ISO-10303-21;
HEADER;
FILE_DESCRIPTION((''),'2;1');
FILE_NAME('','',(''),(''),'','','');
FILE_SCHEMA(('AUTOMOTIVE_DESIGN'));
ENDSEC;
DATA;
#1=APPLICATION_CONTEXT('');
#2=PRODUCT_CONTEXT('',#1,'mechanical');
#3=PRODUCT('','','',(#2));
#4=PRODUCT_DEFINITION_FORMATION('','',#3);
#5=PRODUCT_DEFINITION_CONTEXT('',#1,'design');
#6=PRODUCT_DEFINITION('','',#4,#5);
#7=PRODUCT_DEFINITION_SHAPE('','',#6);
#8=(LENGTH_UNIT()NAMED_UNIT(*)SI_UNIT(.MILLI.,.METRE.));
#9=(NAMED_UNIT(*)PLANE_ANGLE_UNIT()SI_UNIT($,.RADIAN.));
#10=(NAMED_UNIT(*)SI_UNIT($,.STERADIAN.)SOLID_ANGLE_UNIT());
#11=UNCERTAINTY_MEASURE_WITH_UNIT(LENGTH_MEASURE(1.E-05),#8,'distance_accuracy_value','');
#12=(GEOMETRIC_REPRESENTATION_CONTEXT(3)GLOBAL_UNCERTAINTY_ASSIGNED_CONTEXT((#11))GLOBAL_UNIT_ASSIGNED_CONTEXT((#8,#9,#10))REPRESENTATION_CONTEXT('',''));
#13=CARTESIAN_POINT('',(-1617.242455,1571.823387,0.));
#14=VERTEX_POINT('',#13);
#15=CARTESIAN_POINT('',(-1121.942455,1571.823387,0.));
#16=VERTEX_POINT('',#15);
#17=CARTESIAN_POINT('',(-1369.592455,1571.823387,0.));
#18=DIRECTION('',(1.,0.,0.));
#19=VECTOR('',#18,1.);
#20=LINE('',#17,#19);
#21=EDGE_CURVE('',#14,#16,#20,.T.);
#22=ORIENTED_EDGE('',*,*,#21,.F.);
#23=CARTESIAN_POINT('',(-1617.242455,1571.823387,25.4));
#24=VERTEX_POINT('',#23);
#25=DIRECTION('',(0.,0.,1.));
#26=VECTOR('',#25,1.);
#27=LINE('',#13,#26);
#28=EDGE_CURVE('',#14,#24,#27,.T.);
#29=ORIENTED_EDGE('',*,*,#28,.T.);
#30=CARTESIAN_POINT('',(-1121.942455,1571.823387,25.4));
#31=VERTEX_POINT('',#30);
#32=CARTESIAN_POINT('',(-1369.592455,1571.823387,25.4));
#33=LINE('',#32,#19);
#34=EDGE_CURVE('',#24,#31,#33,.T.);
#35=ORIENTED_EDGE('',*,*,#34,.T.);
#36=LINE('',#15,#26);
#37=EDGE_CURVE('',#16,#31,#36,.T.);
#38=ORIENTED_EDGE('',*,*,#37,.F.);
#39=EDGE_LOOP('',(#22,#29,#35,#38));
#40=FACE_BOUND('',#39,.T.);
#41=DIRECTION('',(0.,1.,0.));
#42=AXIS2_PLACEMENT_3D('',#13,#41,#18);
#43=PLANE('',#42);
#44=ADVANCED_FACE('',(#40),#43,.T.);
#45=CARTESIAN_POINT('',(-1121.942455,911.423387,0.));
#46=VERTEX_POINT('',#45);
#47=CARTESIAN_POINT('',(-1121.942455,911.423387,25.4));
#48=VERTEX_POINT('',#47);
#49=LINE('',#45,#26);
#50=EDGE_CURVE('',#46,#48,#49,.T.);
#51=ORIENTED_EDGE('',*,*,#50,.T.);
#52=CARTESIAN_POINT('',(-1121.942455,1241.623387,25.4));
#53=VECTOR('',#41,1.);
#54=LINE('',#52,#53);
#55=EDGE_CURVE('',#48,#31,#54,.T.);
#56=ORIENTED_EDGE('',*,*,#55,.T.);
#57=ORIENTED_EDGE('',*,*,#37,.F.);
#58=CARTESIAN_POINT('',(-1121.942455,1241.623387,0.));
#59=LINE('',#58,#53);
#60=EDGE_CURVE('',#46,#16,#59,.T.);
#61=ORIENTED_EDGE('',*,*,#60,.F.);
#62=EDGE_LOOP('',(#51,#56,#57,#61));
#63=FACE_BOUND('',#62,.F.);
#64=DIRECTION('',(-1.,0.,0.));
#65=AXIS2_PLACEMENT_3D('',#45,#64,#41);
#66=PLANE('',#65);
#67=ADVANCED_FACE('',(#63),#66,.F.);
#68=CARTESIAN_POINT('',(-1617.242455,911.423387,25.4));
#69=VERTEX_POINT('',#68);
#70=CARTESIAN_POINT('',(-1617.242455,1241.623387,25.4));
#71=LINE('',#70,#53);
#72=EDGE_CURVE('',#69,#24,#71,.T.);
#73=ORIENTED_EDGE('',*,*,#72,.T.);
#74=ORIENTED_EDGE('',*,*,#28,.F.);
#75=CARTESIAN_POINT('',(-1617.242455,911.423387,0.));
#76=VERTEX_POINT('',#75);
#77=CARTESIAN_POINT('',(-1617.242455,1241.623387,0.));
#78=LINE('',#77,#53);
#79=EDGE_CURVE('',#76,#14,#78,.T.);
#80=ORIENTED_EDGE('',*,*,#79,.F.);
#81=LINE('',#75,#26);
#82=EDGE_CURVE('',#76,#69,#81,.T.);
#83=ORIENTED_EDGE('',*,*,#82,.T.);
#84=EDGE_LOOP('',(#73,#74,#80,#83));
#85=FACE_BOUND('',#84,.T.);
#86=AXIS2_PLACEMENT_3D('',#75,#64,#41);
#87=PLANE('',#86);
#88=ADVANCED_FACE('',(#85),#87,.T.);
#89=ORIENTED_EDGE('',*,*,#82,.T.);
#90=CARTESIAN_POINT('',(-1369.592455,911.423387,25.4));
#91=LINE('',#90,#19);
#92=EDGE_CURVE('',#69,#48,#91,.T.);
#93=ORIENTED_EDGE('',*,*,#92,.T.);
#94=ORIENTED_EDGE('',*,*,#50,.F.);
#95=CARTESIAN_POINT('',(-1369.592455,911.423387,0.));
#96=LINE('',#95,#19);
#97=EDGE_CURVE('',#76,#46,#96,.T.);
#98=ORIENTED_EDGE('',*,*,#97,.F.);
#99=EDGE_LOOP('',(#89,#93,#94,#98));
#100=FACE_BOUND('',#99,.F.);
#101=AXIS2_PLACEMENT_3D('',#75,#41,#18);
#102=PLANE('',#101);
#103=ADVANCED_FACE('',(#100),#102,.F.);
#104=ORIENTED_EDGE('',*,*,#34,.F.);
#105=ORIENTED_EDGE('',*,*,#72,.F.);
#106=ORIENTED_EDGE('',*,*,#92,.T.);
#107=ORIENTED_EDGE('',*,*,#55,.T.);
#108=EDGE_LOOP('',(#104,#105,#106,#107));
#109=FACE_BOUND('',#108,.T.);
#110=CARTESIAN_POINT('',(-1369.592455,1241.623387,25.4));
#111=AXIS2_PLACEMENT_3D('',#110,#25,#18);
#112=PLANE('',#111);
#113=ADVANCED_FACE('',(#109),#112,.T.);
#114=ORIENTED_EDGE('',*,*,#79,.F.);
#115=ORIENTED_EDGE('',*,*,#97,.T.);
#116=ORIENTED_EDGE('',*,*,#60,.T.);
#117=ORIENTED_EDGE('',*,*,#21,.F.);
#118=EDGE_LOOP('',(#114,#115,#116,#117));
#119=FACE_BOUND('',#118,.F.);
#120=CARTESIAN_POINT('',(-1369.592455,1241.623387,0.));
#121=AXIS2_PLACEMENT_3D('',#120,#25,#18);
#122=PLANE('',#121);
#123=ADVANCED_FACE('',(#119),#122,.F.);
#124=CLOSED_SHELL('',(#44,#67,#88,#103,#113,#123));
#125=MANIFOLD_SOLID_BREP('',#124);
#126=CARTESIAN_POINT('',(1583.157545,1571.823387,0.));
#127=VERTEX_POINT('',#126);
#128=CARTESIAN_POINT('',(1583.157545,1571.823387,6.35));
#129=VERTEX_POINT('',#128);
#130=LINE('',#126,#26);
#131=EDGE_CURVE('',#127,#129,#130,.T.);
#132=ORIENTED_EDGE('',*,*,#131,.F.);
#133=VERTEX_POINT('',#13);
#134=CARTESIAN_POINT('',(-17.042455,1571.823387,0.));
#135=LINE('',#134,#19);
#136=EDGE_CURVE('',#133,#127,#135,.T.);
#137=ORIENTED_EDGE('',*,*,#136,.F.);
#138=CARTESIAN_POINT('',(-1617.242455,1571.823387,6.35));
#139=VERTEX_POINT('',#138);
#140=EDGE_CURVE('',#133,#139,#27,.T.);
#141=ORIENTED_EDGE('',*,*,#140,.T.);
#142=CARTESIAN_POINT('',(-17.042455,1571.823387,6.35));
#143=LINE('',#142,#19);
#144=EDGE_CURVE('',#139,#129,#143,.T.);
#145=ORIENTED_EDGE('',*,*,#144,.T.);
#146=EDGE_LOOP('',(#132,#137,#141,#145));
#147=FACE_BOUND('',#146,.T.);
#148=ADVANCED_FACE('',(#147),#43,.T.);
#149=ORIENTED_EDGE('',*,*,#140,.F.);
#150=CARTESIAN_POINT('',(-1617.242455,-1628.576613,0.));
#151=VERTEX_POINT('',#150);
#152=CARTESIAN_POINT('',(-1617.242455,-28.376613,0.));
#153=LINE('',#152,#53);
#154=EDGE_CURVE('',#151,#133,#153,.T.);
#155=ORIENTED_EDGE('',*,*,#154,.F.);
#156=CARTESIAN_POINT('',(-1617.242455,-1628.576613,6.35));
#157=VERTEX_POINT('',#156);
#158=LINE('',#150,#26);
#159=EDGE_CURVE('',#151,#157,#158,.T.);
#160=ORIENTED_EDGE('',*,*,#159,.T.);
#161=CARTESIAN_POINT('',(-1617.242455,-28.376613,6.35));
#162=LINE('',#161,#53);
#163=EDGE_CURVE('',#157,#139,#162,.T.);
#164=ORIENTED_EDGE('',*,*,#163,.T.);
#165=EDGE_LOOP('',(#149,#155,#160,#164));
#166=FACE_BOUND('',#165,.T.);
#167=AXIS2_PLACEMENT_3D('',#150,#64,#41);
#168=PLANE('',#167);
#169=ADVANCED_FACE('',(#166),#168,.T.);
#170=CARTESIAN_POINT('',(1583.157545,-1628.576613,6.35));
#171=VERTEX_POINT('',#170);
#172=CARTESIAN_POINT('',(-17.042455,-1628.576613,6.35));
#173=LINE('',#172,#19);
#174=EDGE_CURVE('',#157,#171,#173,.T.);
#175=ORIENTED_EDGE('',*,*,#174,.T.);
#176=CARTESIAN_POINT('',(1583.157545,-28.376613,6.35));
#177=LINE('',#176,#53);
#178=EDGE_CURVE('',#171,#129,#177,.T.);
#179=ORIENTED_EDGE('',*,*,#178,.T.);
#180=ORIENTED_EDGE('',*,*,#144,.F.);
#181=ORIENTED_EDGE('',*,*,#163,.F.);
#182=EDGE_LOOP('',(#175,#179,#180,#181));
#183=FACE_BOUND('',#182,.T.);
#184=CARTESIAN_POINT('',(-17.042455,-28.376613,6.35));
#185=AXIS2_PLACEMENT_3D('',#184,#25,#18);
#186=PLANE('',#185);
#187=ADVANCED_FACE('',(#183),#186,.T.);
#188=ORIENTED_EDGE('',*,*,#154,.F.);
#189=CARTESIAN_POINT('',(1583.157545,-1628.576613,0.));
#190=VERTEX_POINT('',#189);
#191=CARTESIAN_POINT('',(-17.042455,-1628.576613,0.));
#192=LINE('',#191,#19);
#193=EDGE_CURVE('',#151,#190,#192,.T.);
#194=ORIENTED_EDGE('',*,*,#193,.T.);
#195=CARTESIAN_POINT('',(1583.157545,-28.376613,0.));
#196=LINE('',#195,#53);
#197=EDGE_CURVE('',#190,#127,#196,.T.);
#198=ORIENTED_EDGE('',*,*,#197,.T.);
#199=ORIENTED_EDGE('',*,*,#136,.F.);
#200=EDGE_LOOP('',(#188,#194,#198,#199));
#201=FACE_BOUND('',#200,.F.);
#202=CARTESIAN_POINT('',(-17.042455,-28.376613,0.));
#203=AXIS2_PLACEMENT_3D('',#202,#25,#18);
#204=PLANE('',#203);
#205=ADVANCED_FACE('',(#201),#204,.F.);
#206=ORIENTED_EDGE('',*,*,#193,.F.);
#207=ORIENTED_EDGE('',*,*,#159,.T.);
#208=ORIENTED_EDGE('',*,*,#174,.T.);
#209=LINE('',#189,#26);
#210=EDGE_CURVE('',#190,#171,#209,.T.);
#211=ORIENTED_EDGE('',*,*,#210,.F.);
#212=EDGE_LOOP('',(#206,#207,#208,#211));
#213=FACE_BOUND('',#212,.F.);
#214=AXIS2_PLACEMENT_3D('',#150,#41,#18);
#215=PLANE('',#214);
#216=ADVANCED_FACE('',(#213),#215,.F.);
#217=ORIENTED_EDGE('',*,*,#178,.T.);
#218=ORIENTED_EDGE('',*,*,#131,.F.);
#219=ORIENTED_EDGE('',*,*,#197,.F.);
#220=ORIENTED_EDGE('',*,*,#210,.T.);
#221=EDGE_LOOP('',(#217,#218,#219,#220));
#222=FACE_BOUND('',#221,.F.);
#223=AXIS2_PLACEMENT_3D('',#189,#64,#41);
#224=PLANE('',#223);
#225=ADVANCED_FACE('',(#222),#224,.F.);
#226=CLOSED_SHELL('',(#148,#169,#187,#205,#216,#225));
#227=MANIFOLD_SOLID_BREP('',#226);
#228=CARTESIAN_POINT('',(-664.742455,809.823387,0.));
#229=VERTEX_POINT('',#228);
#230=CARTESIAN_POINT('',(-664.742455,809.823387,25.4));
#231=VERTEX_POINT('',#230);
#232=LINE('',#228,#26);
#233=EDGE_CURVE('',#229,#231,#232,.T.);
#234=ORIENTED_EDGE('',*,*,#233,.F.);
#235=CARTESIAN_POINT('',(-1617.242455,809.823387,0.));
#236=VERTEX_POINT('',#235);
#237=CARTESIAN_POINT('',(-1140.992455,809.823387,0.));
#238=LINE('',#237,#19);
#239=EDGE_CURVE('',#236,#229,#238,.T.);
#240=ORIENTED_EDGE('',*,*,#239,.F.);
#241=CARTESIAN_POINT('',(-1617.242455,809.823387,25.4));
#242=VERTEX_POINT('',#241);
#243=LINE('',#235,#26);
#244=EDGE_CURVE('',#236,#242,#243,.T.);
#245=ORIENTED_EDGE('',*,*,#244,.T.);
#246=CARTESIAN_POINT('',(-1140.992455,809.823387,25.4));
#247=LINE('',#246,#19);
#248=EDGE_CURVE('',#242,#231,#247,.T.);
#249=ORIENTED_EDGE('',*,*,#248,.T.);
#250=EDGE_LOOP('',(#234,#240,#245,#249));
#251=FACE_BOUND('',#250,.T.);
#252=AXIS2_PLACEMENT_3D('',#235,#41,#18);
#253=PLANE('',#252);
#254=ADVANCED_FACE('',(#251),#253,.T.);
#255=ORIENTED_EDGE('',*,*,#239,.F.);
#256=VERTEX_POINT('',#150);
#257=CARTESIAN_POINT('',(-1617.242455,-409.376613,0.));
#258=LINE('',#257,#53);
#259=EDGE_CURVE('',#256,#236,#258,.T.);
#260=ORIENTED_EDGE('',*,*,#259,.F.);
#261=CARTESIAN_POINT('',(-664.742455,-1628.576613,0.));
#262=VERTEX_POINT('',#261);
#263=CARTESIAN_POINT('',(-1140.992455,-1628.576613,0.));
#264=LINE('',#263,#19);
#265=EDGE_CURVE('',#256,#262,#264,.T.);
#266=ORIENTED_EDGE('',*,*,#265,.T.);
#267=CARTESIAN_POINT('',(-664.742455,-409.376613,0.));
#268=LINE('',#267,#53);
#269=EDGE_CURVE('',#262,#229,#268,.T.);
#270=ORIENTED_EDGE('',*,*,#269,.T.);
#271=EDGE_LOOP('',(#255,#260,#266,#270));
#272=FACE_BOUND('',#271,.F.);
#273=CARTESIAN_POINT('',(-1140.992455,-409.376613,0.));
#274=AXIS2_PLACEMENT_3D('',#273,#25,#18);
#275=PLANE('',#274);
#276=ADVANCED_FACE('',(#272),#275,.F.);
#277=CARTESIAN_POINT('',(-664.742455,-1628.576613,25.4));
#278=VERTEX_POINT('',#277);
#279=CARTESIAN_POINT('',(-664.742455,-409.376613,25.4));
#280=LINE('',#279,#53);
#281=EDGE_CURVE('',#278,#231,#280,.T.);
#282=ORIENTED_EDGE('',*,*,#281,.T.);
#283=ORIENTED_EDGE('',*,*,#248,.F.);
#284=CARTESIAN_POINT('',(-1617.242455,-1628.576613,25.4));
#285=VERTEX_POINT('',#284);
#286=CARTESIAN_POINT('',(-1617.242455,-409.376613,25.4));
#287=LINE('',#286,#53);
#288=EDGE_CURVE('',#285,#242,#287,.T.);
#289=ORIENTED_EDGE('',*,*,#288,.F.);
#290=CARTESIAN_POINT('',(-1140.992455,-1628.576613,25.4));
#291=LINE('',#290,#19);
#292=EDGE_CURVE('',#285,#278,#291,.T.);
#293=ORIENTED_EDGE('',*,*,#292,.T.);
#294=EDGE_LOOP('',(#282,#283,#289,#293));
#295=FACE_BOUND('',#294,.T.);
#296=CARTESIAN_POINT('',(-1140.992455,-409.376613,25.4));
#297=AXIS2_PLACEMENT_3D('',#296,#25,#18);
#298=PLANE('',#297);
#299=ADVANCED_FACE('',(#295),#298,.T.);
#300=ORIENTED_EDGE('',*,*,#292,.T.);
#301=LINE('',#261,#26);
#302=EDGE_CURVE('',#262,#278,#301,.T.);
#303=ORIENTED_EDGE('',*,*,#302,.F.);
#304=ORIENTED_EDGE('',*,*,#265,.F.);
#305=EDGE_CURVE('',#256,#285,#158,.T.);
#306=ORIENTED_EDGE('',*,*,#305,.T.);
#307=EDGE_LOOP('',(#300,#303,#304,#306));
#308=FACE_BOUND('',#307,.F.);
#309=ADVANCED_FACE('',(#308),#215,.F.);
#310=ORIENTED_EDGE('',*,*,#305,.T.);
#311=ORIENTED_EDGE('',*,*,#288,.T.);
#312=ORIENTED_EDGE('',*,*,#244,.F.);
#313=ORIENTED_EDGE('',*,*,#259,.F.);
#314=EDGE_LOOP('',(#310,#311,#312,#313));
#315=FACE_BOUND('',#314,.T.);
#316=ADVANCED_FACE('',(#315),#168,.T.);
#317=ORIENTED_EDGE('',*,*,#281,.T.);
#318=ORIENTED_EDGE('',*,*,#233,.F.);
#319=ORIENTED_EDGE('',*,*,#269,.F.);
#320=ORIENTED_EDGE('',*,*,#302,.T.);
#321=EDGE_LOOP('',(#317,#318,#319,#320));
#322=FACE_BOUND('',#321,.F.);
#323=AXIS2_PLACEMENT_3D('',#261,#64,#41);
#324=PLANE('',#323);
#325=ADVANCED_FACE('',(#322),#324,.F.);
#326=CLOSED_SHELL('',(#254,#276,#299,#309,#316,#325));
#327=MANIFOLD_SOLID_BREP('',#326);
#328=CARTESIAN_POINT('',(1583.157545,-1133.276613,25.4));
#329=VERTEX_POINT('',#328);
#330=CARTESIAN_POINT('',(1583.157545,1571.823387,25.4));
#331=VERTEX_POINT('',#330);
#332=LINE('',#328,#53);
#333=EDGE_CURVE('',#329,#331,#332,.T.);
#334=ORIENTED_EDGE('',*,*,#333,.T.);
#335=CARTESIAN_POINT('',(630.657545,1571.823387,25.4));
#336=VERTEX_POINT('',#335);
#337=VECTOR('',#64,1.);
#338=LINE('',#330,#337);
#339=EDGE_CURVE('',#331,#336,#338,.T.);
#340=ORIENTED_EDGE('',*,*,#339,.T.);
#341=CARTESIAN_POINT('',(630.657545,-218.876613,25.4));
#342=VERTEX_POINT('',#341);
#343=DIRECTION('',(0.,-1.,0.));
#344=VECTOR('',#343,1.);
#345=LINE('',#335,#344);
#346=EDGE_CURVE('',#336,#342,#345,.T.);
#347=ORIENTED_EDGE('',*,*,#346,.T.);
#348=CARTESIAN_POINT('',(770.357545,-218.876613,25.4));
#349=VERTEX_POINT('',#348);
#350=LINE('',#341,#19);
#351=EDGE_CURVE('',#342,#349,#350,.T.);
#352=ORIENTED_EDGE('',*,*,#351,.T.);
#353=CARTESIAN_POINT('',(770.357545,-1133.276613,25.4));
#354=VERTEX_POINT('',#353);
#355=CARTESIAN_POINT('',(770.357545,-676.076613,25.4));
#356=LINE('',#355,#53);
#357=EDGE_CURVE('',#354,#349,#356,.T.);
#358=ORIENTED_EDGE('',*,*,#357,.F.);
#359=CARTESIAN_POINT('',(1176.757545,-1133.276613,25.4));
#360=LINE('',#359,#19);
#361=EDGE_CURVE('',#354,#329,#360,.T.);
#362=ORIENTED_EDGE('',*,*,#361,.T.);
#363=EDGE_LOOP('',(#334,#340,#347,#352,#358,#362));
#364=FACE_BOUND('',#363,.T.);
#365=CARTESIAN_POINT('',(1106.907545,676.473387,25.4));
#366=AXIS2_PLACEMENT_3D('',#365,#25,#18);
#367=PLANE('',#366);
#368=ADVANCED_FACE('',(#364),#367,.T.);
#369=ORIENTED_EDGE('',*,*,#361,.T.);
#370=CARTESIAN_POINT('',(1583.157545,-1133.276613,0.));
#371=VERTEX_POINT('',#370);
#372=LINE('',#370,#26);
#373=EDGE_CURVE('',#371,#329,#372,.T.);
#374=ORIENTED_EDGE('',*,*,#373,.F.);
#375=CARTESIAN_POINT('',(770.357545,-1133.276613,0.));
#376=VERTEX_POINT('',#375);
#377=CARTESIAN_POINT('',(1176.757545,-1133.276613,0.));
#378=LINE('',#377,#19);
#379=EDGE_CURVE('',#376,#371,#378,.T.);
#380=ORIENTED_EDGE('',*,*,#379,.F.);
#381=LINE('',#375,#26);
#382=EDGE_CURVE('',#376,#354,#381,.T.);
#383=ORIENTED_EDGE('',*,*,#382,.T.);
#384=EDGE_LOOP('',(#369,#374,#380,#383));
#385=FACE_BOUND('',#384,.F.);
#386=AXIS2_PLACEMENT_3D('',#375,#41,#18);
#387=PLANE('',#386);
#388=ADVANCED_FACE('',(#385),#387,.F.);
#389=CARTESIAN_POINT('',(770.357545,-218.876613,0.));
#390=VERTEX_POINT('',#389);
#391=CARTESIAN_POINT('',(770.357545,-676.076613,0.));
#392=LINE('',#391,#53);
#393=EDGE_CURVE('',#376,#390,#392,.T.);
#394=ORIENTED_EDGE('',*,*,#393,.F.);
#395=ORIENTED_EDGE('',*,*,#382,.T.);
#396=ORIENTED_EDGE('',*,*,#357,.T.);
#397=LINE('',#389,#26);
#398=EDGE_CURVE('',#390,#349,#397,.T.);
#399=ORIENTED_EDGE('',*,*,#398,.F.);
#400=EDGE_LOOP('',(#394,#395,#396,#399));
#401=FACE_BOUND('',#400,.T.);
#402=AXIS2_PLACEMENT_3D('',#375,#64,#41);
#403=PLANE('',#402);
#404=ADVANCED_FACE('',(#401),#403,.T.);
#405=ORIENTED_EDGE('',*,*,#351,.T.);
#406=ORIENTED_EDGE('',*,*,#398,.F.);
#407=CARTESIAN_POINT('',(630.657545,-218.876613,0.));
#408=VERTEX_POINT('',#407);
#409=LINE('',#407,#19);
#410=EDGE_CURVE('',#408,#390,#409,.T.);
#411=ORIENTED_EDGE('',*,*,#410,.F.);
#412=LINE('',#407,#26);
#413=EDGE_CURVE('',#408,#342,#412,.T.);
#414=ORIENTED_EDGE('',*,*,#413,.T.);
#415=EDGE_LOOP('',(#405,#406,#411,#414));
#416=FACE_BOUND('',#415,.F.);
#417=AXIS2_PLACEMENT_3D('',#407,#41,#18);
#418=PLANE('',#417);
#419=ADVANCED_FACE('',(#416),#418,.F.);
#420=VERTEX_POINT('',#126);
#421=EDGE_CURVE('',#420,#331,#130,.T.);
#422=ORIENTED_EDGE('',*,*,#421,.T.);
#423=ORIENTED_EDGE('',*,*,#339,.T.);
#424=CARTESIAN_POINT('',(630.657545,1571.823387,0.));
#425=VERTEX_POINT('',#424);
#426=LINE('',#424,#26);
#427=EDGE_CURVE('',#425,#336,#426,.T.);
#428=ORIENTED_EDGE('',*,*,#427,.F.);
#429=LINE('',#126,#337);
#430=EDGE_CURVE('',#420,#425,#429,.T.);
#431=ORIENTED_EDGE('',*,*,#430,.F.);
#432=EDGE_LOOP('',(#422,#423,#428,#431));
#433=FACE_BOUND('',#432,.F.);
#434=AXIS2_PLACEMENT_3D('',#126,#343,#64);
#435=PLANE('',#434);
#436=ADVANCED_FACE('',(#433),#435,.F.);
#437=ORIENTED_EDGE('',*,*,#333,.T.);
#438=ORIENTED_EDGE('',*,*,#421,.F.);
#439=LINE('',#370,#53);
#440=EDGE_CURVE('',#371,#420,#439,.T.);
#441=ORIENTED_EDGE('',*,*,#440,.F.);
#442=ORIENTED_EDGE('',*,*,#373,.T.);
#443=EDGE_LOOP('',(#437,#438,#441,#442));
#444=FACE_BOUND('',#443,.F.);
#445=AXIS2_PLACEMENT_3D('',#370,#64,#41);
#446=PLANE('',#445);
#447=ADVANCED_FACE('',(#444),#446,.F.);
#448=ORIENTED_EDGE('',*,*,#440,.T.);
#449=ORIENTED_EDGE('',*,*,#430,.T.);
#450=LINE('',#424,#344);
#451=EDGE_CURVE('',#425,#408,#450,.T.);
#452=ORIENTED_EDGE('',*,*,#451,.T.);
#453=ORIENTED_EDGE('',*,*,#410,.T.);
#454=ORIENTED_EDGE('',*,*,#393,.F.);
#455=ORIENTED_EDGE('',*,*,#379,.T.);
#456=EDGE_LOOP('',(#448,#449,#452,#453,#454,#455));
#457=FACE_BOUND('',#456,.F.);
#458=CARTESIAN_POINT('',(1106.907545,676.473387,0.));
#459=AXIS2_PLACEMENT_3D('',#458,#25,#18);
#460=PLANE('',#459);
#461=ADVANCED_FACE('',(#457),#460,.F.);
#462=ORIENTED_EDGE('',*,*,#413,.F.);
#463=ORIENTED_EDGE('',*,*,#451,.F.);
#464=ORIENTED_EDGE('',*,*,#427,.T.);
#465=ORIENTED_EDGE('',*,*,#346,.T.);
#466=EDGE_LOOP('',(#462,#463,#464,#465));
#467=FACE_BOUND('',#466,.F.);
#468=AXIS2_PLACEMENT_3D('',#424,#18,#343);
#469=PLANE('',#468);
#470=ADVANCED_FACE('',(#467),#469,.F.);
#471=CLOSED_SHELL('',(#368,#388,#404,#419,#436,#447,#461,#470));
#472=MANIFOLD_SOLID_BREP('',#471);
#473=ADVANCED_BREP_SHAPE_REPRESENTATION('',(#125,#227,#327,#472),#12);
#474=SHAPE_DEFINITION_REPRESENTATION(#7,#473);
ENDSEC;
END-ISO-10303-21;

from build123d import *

# Parameters (mm, degrees)
F1_W     = 812.8
F1_H     = 914.4
F1_W_2   = 952.5
F1_H_2   = 2438.4
F1_W_3   = 495.3
F1_H_3   = 660.4
F2_DEPTH = 25.4
F0_W     = 3200.4
F0_H     = 3200.4
F3_DEPTH = 6.35


with BuildPart() as f2:
    # F1 (on face) → F2 (new body)
    with BuildSketch(Plane.XY):
        Polygon((1583.157545, 1571.823387), (630.657545, 1571.823387), (630.657545, -218.876613), (770.357545, -218.876613), (1583.157545, -218.876613), align=None)
        with Locations((1176.757545, -676.076613)):
            Rectangle(F1_W, F1_H)
        with Locations((-1140.992455, -409.376613)):
            Rectangle(F1_W_2, F1_H_2)
        with Locations((-1369.592455, 1241.623387)):
            Rectangle(F1_W_3, F1_H_3)
    extrude(amount=F2_DEPTH)


with BuildPart() as f3:
    # F0 (on Top) → F3 (new body)
    with BuildSketch(Plane.XY):
        with Locations((-17.042455, -28.376613)):
            Rectangle(F0_W, F0_H)
    extrude(amount=F3_DEPTH)


solid = Compound([f2.part, f3.part])
